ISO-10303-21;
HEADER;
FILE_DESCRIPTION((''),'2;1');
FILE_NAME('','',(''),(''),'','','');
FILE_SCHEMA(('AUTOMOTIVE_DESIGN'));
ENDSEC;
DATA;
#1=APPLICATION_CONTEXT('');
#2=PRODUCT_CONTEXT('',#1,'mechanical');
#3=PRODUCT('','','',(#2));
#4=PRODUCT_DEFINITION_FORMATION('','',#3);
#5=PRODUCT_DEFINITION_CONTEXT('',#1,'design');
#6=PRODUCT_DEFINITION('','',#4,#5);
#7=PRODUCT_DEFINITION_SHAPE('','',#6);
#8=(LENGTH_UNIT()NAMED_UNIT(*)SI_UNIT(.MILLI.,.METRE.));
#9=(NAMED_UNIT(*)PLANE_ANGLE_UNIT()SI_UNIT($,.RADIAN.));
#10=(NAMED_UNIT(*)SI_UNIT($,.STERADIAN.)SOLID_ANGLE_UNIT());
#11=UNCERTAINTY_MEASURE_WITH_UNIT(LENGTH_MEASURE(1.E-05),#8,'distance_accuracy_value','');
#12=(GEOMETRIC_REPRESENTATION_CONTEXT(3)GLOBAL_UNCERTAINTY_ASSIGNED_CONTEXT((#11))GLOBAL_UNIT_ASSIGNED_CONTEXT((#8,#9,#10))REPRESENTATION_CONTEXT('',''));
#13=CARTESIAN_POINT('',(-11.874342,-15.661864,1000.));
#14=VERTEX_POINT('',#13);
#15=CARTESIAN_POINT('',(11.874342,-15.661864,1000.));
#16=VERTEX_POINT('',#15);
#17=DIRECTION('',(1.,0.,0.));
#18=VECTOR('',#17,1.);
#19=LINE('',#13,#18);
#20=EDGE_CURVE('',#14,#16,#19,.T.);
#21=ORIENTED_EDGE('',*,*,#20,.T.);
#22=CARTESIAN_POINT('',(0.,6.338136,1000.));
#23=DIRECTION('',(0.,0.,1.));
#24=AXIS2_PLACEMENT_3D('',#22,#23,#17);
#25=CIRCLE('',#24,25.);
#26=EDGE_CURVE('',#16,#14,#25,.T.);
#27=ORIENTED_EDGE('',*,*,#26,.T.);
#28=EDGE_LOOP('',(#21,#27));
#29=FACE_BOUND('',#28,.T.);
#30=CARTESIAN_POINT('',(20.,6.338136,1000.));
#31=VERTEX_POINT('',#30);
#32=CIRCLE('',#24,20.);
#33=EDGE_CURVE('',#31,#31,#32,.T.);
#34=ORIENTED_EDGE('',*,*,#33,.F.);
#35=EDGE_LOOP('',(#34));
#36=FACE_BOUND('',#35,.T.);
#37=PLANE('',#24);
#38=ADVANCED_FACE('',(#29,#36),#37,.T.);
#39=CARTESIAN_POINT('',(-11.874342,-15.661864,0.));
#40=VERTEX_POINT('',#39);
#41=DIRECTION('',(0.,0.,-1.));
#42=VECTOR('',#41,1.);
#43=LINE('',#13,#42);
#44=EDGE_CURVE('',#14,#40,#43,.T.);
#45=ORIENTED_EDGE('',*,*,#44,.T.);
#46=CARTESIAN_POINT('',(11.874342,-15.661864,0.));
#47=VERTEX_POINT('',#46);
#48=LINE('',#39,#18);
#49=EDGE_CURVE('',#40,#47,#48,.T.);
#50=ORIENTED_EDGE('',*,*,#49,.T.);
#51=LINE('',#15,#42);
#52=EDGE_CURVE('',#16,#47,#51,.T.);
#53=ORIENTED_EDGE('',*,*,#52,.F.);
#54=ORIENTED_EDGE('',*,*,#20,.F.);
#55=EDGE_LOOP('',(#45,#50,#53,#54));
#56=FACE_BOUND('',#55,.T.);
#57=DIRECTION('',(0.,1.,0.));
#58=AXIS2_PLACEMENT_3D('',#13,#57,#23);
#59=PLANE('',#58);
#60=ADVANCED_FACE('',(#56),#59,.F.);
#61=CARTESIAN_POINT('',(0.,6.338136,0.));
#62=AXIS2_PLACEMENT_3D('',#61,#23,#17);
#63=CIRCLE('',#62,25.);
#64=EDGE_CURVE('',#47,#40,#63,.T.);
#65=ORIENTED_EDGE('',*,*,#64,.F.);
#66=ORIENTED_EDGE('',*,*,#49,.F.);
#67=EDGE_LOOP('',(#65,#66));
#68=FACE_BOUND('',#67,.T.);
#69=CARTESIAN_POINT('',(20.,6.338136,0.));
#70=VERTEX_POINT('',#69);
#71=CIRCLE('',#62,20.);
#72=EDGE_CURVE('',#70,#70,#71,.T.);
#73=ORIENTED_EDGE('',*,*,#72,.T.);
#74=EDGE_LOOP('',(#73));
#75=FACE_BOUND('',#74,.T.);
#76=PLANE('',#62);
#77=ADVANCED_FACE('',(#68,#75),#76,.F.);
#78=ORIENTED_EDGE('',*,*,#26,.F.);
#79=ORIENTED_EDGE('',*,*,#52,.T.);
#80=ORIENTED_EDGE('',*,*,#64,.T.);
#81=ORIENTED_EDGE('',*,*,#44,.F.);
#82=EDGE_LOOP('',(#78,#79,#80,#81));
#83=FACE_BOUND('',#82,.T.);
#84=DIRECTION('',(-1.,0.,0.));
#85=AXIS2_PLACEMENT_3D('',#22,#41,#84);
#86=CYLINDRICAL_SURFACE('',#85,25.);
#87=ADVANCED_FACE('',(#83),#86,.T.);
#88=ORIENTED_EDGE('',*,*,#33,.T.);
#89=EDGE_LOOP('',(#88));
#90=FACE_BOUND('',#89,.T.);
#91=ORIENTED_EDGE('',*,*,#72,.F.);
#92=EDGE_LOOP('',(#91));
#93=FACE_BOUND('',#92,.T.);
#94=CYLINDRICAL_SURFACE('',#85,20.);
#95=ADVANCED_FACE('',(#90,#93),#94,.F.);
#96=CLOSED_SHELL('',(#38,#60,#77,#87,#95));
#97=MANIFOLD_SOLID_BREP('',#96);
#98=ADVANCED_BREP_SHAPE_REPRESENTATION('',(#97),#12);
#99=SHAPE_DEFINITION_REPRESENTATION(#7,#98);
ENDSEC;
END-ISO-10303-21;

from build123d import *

# Parameters (mm, degrees)
SKETCH1_R           = 20
BOSS_EXTRUDE1_DEPTH = 1000


with BuildPart() as part:
    # Sketch1 → Boss-Extrude1 (new body)
    with BuildSketch(Plane.XY):
        with BuildLine():
            Line((-11.874342087, -15.661863664), (11.874342087, -15.661863664))
            ThreePointArc((11.874342087, -15.661863664), (0, 31.338136336), (-11.874342087, -15.661863664))
        make_face()
        with Locations((0, 6.338136336)):
            Circle(SKETCH1_R, mode=Mode.SUBTRACT)
    extrude(amount=BOSS_EXTRUDE1_DEPTH)


solid = part.part
